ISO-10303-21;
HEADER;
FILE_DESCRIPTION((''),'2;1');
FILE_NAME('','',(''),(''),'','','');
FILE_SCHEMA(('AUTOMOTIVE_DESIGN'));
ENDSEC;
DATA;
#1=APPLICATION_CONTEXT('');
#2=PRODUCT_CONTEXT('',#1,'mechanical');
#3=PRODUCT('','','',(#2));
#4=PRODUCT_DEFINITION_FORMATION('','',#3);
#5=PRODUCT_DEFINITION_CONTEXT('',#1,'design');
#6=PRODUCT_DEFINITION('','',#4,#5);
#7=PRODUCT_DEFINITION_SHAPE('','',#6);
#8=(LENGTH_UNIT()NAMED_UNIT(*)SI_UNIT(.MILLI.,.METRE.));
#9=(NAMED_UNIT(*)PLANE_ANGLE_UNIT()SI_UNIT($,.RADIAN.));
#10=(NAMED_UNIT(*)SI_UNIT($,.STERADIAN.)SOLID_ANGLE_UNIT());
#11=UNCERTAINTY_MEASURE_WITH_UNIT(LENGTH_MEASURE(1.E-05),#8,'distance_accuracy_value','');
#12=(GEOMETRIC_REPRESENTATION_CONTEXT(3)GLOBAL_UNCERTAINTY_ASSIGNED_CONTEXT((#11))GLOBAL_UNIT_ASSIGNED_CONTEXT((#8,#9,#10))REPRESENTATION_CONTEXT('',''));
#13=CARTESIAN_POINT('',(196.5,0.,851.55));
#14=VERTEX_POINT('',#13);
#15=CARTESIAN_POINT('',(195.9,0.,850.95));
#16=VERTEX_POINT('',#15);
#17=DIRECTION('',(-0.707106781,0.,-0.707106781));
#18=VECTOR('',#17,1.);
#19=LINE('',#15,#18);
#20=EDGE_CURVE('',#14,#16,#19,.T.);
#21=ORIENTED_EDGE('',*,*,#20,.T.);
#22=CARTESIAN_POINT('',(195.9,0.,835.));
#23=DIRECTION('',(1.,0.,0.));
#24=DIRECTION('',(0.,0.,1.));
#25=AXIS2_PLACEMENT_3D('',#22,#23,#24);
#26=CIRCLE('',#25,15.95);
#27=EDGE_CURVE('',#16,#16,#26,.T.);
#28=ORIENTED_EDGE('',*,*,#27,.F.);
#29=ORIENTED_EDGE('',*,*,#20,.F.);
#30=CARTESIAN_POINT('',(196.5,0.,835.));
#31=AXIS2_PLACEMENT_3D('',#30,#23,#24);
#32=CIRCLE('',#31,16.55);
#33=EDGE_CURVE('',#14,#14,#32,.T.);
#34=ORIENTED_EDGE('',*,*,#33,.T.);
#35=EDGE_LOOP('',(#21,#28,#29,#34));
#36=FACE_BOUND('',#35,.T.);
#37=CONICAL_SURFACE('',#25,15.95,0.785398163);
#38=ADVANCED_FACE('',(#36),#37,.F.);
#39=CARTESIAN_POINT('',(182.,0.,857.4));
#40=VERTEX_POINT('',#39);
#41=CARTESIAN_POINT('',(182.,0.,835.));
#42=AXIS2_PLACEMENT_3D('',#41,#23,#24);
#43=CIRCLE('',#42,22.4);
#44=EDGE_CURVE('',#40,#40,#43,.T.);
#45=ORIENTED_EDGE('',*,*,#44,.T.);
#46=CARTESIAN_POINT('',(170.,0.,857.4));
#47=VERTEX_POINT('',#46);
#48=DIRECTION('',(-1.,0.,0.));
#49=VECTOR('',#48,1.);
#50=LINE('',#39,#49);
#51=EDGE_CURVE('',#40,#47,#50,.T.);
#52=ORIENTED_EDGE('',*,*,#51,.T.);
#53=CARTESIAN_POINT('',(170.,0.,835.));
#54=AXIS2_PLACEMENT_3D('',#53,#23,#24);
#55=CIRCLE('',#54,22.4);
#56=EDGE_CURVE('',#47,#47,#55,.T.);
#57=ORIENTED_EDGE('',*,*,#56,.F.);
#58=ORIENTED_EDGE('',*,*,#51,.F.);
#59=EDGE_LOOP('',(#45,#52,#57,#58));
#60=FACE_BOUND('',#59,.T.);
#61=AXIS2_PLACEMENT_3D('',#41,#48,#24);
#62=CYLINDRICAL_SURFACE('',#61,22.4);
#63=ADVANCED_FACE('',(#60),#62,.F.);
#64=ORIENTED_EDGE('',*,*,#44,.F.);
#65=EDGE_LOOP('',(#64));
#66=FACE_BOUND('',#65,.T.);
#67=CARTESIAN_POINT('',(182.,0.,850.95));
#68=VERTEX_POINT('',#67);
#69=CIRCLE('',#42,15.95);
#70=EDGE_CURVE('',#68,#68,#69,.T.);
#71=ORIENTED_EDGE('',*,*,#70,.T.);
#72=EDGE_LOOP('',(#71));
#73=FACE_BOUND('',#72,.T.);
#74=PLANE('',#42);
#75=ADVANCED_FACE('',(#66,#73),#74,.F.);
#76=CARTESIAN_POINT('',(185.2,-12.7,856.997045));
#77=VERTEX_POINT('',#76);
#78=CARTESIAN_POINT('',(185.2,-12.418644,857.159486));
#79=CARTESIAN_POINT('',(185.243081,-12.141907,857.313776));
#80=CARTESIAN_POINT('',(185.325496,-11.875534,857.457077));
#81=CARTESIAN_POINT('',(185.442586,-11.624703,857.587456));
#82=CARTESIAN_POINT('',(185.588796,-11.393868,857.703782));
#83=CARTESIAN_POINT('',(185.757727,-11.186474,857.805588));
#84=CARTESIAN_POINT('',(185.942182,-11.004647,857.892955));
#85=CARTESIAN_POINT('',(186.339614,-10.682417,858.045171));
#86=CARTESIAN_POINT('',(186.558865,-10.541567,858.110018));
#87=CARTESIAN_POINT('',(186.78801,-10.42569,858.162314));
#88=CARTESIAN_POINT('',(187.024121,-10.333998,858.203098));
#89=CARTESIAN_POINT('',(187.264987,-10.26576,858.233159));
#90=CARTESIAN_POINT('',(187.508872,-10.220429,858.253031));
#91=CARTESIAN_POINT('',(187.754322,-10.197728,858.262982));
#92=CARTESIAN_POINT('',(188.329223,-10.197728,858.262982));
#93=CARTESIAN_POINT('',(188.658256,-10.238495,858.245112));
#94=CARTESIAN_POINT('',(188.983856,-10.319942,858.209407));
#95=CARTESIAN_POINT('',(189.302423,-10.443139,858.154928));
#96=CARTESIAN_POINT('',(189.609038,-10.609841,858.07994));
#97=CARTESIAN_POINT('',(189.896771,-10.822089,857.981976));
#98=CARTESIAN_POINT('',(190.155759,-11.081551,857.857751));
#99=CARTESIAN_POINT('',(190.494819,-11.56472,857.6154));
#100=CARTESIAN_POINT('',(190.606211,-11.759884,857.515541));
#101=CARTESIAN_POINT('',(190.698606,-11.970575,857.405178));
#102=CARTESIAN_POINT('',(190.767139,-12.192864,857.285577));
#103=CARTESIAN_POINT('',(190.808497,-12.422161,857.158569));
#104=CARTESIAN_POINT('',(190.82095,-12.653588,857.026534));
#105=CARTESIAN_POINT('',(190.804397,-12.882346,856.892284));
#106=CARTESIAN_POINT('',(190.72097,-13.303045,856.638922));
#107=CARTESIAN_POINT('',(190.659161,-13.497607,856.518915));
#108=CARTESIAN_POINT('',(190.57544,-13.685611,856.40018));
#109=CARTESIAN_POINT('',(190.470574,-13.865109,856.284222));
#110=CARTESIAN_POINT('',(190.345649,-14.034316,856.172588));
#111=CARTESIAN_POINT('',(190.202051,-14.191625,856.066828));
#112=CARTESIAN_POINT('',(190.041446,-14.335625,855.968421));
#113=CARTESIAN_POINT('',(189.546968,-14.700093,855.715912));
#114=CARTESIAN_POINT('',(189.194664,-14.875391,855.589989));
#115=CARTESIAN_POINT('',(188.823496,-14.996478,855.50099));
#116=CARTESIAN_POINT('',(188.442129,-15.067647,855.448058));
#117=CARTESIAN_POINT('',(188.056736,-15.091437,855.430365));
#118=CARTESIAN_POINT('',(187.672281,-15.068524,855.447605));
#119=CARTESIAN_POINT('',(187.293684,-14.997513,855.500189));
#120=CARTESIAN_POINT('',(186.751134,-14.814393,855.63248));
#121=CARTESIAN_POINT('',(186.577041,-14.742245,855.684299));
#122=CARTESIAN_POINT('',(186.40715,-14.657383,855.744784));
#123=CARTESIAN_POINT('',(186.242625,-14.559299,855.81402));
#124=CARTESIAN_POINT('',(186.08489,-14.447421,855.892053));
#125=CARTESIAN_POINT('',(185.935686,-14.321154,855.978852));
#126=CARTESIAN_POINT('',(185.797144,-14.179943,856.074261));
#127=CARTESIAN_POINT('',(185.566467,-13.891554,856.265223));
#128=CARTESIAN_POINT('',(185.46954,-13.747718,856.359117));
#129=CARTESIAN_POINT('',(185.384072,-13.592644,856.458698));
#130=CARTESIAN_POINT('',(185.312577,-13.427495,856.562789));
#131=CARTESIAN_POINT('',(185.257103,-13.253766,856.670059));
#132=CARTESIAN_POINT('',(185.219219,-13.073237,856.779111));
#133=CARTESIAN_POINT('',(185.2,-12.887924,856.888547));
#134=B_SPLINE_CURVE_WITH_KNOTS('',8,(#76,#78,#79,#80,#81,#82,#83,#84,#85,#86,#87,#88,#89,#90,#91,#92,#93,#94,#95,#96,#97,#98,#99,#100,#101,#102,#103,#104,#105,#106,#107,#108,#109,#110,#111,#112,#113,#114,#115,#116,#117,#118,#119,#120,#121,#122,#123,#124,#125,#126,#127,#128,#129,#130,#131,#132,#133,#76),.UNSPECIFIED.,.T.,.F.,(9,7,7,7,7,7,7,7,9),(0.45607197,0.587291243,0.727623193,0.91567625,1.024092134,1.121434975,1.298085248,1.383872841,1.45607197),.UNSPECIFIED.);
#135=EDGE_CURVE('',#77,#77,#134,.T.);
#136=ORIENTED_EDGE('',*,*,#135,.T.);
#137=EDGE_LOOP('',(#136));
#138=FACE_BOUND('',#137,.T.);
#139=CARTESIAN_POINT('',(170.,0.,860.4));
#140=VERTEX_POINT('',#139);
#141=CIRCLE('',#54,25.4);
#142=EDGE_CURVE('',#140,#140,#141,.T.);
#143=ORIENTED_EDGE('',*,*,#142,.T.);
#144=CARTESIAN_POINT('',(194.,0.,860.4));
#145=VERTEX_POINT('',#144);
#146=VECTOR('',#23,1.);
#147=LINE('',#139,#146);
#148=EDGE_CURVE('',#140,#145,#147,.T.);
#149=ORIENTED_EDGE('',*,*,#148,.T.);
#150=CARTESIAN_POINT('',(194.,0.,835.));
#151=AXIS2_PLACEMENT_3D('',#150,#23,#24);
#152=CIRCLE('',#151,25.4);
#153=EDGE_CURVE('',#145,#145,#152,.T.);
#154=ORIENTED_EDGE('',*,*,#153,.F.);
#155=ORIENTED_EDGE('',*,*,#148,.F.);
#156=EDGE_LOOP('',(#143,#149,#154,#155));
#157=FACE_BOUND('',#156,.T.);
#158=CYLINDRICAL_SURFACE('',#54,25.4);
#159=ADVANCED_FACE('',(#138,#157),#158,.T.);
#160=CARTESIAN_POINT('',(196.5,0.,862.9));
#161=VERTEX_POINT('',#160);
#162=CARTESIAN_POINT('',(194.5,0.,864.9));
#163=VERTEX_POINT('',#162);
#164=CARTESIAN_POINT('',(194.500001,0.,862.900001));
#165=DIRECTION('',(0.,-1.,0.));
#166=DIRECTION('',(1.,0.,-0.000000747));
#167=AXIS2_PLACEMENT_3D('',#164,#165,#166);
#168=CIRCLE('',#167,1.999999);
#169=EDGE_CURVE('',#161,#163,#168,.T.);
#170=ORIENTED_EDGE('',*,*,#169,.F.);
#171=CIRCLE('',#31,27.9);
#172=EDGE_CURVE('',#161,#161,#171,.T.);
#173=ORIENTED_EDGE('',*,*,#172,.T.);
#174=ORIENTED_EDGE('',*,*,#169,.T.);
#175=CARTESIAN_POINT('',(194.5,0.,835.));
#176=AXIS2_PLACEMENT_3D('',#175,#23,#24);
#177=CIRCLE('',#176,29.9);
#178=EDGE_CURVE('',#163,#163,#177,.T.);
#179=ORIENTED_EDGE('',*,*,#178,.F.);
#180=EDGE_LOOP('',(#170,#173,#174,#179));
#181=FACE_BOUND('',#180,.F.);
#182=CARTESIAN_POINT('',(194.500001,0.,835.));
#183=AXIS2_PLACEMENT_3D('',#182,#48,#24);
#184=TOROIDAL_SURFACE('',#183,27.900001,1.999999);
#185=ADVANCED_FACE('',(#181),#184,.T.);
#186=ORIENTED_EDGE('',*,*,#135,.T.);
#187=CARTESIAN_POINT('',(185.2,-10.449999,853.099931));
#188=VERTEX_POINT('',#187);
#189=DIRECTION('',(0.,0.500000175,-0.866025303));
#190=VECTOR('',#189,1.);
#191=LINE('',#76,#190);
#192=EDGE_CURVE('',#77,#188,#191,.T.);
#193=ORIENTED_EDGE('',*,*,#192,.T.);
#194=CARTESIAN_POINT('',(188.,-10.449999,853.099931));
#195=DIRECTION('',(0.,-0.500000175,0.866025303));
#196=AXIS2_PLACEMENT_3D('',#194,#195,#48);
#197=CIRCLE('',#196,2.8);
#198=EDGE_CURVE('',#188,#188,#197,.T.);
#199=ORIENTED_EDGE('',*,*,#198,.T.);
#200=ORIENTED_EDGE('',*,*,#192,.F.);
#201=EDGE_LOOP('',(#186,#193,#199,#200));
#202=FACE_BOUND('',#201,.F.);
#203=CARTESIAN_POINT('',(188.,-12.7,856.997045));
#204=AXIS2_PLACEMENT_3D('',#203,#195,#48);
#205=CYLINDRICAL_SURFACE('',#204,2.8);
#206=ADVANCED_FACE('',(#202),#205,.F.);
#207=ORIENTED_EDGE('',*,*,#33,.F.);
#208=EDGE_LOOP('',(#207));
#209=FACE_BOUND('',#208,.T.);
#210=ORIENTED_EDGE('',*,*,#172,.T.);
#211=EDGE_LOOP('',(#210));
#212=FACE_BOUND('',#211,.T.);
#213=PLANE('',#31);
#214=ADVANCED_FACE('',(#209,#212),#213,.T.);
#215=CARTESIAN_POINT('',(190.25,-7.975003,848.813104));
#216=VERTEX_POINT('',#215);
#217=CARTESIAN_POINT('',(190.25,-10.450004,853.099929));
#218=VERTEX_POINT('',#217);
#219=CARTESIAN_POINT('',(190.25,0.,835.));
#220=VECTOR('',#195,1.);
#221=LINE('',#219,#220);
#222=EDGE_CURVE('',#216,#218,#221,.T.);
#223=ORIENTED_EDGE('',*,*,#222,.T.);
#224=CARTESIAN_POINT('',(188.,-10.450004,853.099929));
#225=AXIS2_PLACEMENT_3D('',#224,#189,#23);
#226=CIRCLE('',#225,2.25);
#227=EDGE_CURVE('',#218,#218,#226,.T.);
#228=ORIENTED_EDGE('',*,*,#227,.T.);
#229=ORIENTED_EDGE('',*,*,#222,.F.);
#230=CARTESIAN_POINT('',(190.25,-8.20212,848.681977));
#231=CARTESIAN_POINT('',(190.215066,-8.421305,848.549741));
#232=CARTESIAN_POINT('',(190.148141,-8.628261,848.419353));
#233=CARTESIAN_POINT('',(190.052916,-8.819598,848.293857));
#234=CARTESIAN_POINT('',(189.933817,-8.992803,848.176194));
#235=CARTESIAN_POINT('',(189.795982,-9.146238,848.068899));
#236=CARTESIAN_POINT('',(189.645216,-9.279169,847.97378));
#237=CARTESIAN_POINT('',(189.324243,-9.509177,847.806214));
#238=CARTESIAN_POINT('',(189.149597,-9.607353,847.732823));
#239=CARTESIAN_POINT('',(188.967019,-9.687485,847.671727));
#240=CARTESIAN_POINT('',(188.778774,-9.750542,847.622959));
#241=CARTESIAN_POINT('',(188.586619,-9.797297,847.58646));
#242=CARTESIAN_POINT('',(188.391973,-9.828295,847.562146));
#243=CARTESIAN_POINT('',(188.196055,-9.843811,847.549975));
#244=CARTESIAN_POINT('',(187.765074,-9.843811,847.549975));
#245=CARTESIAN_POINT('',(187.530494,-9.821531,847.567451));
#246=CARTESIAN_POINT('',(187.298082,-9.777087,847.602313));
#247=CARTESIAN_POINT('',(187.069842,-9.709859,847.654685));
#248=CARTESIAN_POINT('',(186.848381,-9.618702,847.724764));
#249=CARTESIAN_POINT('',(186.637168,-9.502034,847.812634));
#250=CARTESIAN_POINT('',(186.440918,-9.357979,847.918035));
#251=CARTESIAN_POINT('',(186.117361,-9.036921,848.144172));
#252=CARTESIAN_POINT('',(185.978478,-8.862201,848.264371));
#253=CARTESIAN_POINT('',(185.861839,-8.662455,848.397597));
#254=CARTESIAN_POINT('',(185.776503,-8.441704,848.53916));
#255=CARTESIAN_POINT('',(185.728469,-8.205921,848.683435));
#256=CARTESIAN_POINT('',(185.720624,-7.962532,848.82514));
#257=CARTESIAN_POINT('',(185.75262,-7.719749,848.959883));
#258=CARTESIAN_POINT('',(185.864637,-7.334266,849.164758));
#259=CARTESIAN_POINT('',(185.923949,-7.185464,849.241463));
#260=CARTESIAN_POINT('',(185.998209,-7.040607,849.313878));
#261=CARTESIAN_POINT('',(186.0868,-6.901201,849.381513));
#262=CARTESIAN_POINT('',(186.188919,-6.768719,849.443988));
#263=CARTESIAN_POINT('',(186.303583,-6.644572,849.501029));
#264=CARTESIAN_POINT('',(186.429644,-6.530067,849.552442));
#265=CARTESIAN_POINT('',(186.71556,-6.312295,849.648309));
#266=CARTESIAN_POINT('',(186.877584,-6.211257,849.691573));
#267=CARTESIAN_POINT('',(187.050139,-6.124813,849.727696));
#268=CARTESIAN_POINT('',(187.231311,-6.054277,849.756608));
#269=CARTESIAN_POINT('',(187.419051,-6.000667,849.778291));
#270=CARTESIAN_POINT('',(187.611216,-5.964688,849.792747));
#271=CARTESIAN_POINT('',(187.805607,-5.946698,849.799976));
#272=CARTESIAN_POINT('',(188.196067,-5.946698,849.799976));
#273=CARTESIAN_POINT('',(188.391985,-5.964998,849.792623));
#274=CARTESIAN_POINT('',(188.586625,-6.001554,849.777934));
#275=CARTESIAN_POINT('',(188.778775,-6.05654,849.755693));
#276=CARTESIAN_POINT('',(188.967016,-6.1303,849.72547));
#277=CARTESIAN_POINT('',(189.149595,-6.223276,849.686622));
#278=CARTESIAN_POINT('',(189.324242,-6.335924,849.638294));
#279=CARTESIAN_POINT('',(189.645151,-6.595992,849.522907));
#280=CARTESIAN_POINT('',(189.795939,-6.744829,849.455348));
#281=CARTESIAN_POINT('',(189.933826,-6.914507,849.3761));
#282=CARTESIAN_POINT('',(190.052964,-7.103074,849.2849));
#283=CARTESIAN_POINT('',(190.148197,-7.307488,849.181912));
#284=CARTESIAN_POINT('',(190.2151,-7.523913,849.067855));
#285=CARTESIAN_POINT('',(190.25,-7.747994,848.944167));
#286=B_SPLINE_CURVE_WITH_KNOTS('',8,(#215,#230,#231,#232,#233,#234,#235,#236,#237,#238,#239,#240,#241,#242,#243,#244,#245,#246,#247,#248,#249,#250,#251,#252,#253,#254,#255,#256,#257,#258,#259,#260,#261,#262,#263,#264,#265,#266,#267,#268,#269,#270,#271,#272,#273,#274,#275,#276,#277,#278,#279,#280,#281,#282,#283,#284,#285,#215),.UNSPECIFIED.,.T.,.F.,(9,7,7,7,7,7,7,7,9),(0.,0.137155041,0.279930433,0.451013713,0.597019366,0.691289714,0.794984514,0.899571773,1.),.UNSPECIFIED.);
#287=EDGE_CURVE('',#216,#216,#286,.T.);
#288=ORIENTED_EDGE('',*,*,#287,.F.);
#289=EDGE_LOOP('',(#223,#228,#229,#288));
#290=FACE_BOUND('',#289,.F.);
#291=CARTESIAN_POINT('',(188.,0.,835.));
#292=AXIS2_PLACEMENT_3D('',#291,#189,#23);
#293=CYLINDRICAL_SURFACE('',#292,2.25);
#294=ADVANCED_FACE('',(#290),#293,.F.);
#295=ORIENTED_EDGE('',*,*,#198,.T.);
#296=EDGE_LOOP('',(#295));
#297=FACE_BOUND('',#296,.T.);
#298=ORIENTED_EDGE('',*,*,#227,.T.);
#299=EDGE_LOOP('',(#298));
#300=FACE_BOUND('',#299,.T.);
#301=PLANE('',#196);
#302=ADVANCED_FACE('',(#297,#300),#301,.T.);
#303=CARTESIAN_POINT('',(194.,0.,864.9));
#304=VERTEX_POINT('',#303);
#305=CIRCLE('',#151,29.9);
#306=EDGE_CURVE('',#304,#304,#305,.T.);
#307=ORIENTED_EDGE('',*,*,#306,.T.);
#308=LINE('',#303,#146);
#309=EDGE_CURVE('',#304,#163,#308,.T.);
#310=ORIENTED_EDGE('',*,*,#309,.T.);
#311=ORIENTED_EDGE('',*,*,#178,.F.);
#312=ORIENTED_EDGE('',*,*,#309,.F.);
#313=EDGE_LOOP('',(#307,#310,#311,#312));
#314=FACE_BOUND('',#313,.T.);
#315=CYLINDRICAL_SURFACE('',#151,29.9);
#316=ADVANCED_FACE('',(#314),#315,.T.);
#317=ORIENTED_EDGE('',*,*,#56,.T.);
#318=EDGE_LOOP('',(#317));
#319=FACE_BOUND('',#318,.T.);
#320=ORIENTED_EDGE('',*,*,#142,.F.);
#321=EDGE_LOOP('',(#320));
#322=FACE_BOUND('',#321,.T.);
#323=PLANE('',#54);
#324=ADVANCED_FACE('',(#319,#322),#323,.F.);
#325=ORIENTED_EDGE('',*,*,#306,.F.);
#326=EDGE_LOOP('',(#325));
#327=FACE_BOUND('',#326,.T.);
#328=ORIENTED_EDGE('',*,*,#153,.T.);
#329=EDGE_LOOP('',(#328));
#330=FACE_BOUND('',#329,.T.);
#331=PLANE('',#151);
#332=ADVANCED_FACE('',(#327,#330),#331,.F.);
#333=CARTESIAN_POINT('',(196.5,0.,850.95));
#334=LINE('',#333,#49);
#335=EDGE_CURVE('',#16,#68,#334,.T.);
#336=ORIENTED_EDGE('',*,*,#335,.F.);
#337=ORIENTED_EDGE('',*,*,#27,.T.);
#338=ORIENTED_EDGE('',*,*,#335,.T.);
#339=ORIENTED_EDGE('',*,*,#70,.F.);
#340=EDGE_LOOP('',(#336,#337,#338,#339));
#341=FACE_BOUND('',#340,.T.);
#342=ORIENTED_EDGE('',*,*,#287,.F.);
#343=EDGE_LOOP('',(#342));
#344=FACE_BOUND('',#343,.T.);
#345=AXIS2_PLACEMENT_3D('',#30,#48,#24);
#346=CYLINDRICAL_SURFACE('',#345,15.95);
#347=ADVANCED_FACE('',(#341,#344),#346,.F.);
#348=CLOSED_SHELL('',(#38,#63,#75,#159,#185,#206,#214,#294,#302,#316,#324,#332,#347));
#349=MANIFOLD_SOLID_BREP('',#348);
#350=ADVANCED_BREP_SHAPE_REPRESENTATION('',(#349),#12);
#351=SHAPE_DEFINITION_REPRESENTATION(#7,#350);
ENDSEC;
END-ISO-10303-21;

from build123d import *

# Parameters (mm, degrees)
SKETCH144_R     = 2.25
HOLE050_DEPTH   = 40.84516
SKETCH145_R     = 2.8
POCKET198_DEPTH = 4.5
CHAMFER002_SIZE = 0.6


with BuildPart() as part:
    # Sketch143 → Revolution004 (revolve)
    with BuildSketch(Plane.XZ):
        with BuildLine():
            Line((0, 25.4), (0, 29.9))
            Line((0, 29.9), (0.5, 29.9))
            ThreePointArc((2.5, 27.9), (1.914214, 29.314214), (0.5, 29.9))
            Line((2.5, 27.9), (2.5, 15.95))
            Line((2.5, 15.95), (-12, 15.95))
            Line((-12, 15.95), (-12, 22.4))
            Line((-12, 22.4), (-24, 22.4))
            Line((-24, 22.4), (-24, 25.4))
            Line((-24, 25.4), (0, 25.4))
        make_face()
    revolve(axis=Axis((0, 0, 0), (1, 0, 0)))

    # Sketch144 (on DatumPlane) → Hole050 (cut, through all)
    with BuildSketch(Plane(origin=(-6, 0, 0), x_dir=(1, 0, 0), z_dir=(0, 0.5, -0.866025))):
        Circle(SKETCH144_R)
    extrude(amount=-HOLE050_DEPTH, mode=Mode.SUBTRACT)

    # Sketch145 (on DatumPlane) → Pocket198 (cut)
    with BuildSketch(Plane(origin=(-6, -12.7, 21.997045), x_dir=(-1, 0, 0), z_dir=(0, -0.5, 0.866025))):
        Circle(SKETCH145_R)
    extrude(amount=-POCKET198_DEPTH, mode=Mode.SUBTRACT)

    # Chamfer002
    chamfer002_edges = [part.edges().sort_by_distance(p)[0] for p in [
        (2.5, 0, -15.95),
    ]]
    chamfer(chamfer002_edges, length=CHAMFER002_SIZE)


with BuildPart() as part_1:
    # Body022029 placement: moved
    add(part.part.moved(Location((194, 0, 835))))


solid = part_1.part
